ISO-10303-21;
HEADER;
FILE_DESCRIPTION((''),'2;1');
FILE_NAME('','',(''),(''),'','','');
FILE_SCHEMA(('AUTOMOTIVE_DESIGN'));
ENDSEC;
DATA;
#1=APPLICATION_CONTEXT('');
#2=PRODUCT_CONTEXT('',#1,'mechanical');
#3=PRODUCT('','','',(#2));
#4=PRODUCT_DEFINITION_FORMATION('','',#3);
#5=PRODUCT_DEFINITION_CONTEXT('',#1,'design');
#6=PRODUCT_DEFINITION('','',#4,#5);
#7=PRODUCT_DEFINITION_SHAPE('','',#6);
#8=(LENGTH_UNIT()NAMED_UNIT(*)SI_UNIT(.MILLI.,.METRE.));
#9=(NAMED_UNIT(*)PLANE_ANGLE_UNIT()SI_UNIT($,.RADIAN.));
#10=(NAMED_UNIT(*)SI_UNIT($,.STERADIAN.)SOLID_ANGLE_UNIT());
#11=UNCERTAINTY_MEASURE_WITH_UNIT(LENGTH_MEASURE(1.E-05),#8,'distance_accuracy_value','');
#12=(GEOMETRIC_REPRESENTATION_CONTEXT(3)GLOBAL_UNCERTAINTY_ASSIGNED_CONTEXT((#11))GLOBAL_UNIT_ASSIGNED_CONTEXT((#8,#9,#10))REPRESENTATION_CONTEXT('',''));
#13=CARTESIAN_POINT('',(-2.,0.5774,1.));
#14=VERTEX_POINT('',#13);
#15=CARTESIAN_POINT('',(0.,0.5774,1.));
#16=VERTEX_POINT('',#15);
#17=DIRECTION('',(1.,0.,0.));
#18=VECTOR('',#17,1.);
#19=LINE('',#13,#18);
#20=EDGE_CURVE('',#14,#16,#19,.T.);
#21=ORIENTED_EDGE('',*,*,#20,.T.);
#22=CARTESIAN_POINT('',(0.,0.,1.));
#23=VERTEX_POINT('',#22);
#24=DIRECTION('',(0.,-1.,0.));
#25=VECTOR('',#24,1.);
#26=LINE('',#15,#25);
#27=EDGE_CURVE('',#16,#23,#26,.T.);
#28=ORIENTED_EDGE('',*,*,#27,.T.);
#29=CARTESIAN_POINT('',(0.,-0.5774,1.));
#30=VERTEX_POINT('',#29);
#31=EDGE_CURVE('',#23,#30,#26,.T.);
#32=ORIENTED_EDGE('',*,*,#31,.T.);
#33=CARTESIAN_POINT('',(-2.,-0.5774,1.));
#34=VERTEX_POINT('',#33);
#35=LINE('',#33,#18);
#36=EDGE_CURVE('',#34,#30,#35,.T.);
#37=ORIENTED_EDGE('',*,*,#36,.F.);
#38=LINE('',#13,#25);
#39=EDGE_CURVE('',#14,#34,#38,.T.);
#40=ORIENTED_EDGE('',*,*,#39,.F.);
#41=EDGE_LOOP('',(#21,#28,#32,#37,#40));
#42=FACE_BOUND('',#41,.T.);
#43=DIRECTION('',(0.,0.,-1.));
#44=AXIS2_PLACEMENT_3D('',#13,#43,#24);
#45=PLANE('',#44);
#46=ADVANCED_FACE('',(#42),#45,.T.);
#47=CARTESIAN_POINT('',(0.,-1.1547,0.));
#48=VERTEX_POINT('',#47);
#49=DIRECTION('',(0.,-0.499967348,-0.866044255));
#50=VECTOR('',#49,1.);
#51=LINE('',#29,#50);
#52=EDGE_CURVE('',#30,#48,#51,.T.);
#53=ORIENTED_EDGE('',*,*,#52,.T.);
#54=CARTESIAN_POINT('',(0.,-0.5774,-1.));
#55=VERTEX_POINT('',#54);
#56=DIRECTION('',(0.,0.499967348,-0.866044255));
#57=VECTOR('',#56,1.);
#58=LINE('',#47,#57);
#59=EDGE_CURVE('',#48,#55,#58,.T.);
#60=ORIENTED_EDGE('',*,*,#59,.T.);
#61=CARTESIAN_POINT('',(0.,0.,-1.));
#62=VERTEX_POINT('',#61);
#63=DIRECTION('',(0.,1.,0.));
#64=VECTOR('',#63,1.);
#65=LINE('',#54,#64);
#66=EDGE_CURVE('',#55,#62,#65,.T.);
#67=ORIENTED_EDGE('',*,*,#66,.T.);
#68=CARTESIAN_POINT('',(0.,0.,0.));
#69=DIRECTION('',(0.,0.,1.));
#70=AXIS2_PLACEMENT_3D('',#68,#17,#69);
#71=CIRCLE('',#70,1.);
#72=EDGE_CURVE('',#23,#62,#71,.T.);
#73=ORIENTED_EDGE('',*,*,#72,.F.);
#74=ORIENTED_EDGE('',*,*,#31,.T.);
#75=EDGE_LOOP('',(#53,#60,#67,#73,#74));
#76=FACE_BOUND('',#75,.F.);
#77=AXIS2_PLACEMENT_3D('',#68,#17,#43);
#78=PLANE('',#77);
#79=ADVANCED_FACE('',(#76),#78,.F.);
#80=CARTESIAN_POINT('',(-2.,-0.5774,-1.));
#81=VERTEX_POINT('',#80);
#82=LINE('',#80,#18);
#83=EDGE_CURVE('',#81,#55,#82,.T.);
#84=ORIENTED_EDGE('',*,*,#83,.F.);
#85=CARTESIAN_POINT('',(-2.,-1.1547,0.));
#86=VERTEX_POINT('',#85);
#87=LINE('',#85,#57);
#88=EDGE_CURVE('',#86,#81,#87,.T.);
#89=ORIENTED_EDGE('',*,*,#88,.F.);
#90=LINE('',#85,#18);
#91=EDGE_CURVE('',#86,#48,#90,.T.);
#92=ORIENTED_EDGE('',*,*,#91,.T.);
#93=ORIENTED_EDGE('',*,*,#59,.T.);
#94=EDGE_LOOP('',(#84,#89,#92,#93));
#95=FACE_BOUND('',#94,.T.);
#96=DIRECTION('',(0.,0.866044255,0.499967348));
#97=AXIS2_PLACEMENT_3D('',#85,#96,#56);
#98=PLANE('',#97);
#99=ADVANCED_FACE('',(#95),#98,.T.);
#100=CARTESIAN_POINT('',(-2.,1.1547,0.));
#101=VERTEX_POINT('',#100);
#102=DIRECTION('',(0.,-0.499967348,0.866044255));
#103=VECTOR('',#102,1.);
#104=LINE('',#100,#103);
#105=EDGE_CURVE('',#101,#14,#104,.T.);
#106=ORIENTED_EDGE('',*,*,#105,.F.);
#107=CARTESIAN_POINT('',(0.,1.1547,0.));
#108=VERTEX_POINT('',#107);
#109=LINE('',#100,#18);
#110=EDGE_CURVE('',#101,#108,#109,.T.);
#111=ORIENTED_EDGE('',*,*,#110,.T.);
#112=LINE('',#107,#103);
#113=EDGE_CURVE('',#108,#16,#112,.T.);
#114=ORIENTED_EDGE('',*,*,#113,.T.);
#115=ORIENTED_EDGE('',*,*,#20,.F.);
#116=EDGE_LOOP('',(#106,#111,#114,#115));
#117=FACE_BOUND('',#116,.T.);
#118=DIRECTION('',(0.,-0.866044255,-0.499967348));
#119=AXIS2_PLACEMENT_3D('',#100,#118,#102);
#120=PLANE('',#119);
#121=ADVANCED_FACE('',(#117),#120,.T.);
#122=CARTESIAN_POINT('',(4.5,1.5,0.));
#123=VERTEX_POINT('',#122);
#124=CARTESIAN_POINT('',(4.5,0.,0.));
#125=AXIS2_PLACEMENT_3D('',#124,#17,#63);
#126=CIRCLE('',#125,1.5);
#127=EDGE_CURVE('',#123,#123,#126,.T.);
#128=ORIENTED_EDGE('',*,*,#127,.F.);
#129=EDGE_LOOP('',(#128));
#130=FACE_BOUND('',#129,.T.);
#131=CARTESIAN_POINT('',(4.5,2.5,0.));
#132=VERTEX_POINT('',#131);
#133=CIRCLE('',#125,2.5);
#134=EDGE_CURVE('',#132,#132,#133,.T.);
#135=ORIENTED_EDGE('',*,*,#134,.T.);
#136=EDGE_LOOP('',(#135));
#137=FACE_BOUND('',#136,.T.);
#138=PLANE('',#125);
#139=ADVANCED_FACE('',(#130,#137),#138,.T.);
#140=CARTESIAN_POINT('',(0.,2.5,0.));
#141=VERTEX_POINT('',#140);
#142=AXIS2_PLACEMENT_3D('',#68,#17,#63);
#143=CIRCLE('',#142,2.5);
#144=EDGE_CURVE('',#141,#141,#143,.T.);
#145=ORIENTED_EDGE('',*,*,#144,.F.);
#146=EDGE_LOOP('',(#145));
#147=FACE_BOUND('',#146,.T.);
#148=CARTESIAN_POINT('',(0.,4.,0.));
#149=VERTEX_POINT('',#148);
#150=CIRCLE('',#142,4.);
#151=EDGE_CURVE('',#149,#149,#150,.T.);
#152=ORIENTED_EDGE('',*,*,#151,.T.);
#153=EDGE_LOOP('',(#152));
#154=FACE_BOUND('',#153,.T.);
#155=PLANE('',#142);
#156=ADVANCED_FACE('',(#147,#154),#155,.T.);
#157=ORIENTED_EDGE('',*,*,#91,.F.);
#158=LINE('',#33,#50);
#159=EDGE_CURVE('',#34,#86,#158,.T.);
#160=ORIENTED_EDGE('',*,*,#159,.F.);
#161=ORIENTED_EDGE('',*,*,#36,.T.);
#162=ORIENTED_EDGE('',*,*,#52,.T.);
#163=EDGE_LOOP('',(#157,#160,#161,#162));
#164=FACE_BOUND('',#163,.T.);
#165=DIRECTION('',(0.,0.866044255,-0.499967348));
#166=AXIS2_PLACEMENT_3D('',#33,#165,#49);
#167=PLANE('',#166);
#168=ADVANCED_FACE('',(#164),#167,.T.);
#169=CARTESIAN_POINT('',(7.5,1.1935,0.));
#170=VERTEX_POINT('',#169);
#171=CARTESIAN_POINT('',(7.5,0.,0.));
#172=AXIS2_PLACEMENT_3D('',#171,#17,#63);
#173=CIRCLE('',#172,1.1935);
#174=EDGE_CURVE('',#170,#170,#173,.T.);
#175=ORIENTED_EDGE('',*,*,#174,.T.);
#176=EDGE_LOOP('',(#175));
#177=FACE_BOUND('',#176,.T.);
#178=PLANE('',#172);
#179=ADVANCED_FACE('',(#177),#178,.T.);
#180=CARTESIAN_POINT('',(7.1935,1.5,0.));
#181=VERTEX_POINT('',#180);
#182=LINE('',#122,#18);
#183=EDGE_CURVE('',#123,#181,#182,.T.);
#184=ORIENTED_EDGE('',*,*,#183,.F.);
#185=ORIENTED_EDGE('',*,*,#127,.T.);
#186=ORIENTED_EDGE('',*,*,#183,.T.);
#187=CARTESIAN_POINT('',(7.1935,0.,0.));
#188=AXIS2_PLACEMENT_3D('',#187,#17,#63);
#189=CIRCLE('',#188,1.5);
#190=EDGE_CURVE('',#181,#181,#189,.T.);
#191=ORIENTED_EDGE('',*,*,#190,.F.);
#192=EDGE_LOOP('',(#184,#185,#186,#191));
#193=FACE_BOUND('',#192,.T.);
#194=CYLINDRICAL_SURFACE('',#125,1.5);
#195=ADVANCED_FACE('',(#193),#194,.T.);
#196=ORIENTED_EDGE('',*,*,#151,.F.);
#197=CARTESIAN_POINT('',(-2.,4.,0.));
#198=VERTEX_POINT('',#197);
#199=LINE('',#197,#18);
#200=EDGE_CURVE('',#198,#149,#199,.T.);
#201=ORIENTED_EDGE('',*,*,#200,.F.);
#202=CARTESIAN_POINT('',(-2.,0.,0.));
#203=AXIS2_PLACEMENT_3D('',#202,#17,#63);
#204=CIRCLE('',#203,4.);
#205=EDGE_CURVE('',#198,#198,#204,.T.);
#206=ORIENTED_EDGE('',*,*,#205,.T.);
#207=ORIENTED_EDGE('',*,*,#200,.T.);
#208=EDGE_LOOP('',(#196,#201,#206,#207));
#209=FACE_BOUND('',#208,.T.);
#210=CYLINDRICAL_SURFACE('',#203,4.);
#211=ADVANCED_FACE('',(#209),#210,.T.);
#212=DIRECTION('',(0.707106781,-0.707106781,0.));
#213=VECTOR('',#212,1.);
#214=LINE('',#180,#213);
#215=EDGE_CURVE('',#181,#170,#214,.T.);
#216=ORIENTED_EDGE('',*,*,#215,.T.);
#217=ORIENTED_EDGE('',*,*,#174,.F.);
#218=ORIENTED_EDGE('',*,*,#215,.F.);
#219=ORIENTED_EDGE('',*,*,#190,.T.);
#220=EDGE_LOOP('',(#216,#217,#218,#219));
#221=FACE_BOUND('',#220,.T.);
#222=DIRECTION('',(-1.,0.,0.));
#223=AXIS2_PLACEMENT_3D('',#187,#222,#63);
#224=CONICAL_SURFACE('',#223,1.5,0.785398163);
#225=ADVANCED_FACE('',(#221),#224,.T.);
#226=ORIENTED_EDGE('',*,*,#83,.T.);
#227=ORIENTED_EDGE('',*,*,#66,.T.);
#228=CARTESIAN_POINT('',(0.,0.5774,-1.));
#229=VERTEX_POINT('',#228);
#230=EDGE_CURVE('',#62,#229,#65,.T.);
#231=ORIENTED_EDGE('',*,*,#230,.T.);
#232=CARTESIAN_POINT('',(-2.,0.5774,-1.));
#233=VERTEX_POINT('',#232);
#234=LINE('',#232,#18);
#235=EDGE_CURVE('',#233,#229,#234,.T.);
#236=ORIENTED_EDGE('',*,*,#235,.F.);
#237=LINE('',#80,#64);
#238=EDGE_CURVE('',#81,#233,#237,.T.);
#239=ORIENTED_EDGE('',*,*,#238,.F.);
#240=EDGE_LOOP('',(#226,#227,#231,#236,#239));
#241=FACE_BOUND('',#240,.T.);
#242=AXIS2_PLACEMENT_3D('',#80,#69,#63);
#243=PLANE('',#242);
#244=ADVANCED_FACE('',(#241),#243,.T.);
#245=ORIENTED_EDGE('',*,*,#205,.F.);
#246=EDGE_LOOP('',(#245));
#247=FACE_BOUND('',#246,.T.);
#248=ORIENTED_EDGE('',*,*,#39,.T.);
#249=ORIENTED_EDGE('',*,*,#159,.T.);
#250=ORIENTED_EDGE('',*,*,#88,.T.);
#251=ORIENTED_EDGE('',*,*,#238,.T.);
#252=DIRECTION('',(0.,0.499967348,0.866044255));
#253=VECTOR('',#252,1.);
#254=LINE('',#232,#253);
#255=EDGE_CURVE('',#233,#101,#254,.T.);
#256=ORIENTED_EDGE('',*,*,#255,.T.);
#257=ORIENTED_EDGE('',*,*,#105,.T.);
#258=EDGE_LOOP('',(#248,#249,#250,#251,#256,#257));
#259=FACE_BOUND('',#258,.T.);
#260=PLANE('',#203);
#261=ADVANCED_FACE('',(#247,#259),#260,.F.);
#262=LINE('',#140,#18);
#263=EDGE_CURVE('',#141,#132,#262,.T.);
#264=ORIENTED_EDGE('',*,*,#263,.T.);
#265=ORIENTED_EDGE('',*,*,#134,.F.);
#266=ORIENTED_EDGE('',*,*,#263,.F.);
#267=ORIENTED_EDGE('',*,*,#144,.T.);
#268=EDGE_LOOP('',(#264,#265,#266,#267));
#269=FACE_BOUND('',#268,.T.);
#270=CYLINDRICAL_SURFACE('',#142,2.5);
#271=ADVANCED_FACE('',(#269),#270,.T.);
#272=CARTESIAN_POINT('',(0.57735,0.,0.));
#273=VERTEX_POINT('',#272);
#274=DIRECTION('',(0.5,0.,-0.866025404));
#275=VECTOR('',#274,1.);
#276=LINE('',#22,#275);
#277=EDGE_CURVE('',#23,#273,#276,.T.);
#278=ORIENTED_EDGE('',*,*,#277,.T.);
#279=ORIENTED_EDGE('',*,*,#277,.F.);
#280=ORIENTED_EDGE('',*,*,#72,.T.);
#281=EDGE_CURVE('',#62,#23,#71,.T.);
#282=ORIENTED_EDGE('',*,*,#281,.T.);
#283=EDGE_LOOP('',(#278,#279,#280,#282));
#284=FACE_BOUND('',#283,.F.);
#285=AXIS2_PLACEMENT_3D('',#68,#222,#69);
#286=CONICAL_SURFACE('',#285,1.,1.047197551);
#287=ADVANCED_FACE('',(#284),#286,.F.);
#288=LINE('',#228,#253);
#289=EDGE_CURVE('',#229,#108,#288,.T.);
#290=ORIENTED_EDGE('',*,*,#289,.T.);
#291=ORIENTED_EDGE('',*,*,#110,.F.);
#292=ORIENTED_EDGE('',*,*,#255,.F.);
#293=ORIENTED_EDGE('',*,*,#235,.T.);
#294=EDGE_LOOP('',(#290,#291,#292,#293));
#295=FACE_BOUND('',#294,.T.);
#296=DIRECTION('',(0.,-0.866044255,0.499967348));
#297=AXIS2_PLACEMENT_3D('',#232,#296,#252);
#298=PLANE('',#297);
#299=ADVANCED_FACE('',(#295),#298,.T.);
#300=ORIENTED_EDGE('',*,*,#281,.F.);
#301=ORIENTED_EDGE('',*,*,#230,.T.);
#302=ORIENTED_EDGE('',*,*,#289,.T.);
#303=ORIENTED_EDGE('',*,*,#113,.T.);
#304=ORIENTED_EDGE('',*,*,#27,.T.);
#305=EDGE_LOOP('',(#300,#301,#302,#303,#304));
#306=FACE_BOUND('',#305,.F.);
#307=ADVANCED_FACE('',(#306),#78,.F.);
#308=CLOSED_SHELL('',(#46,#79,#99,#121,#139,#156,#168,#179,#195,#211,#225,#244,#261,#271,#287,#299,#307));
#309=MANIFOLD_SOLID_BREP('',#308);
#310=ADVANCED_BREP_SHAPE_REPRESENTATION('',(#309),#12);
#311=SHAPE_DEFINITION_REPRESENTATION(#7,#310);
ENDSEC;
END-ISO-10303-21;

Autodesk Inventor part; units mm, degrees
ref_plane "YZ Plane" through (0, 0, 0) normal (1, 0, 0) x (0, 1, 0)
ref_plane "XZ Plane" through (0, 0, 0) normal (0, 1, 0) x (-1, 0, 0)
ref_plane "XY Plane" through (0, 0, 0) normal (0, 0, 1) x (1, 0, 0)
sketch "Sketch_1" plane through (0, 0, 0) normal (0, 0, 1) x (1, 0, 0)
  line L0 (4.5, 0) -> (-2, 0)
  line L1 (-2, 0) -> (-2, 4)
  line L2 (-2, 4) -> (0, 4)
  line L3 (0, 4) -> (0, 2.5)
  line L4 (0, 2.5) -> (4.5, 2.5)
  line L5 (4.5, 2.5) -> (4.5, 0)
  line L6 (4.5, 0) -> (-2, 0)
revolve "Revolution1" add sketch "Sketch_1" angle 360 about axis through (4.5, 0, 0) along (1, 0, 0)
sketch "Sketch2" plane through (-2, 0, 0) normal (-1, 0, 0) x (0, 0, 1)
  point P0 (0, 0)
hole "Hole1" at (-2, 0, 0) direction (1, 0, 0) diameter 2 depth 2 tip angle 120
sketch "Sketch_3" plane through (-2, 0, 0) normal (1, 0, 0) x (0, 0, -1)
  line L0 (-1, -0.5774) -> (0, -1.1547)
  line L1 (0, -1.1547) -> (1, -0.5774)
  line L2 (1, -0.5774) -> (1, 0.5774)
  line L3 (1, 0.5774) -> (0, 1.1547)
  line L4 (0, 1.1547) -> (-1, 0.5774)
  line L5 (-1, 0.5774) -> (-1, -0.5774)
extrude "Extrusion1" cut sketch "Sketch_3" along normal blind 2
sketch "Sketch_6" plane through (0, 0, 0) normal (0, 0, 1) x (1, 0, 0)
  line L0 (7.5, 0) -> (4.5, 0)
  line L1 (4.5, 0) -> (4.5, 1.5)
  line L2 (4.5, 1.5) -> (7.1935, 1.5)
  line L3 (7.1935, 1.5) -> (7.5, 1.1935)
  line L4 (7.5, 1.1935) -> (7.5, 0)
  line L5 (7.5, 0) -> (4.5, 0)
revolve "Revolution2" add sketch "Sketch_6" angle 360 about axis through (7.5, 0, 0) along (1, 0, 0)
thread "Thread1" size "M3x0.5" class "6g" standard "ISO Metric profile" length 1.6935
properties part number "DBTS3-4.5-3-LTC"
